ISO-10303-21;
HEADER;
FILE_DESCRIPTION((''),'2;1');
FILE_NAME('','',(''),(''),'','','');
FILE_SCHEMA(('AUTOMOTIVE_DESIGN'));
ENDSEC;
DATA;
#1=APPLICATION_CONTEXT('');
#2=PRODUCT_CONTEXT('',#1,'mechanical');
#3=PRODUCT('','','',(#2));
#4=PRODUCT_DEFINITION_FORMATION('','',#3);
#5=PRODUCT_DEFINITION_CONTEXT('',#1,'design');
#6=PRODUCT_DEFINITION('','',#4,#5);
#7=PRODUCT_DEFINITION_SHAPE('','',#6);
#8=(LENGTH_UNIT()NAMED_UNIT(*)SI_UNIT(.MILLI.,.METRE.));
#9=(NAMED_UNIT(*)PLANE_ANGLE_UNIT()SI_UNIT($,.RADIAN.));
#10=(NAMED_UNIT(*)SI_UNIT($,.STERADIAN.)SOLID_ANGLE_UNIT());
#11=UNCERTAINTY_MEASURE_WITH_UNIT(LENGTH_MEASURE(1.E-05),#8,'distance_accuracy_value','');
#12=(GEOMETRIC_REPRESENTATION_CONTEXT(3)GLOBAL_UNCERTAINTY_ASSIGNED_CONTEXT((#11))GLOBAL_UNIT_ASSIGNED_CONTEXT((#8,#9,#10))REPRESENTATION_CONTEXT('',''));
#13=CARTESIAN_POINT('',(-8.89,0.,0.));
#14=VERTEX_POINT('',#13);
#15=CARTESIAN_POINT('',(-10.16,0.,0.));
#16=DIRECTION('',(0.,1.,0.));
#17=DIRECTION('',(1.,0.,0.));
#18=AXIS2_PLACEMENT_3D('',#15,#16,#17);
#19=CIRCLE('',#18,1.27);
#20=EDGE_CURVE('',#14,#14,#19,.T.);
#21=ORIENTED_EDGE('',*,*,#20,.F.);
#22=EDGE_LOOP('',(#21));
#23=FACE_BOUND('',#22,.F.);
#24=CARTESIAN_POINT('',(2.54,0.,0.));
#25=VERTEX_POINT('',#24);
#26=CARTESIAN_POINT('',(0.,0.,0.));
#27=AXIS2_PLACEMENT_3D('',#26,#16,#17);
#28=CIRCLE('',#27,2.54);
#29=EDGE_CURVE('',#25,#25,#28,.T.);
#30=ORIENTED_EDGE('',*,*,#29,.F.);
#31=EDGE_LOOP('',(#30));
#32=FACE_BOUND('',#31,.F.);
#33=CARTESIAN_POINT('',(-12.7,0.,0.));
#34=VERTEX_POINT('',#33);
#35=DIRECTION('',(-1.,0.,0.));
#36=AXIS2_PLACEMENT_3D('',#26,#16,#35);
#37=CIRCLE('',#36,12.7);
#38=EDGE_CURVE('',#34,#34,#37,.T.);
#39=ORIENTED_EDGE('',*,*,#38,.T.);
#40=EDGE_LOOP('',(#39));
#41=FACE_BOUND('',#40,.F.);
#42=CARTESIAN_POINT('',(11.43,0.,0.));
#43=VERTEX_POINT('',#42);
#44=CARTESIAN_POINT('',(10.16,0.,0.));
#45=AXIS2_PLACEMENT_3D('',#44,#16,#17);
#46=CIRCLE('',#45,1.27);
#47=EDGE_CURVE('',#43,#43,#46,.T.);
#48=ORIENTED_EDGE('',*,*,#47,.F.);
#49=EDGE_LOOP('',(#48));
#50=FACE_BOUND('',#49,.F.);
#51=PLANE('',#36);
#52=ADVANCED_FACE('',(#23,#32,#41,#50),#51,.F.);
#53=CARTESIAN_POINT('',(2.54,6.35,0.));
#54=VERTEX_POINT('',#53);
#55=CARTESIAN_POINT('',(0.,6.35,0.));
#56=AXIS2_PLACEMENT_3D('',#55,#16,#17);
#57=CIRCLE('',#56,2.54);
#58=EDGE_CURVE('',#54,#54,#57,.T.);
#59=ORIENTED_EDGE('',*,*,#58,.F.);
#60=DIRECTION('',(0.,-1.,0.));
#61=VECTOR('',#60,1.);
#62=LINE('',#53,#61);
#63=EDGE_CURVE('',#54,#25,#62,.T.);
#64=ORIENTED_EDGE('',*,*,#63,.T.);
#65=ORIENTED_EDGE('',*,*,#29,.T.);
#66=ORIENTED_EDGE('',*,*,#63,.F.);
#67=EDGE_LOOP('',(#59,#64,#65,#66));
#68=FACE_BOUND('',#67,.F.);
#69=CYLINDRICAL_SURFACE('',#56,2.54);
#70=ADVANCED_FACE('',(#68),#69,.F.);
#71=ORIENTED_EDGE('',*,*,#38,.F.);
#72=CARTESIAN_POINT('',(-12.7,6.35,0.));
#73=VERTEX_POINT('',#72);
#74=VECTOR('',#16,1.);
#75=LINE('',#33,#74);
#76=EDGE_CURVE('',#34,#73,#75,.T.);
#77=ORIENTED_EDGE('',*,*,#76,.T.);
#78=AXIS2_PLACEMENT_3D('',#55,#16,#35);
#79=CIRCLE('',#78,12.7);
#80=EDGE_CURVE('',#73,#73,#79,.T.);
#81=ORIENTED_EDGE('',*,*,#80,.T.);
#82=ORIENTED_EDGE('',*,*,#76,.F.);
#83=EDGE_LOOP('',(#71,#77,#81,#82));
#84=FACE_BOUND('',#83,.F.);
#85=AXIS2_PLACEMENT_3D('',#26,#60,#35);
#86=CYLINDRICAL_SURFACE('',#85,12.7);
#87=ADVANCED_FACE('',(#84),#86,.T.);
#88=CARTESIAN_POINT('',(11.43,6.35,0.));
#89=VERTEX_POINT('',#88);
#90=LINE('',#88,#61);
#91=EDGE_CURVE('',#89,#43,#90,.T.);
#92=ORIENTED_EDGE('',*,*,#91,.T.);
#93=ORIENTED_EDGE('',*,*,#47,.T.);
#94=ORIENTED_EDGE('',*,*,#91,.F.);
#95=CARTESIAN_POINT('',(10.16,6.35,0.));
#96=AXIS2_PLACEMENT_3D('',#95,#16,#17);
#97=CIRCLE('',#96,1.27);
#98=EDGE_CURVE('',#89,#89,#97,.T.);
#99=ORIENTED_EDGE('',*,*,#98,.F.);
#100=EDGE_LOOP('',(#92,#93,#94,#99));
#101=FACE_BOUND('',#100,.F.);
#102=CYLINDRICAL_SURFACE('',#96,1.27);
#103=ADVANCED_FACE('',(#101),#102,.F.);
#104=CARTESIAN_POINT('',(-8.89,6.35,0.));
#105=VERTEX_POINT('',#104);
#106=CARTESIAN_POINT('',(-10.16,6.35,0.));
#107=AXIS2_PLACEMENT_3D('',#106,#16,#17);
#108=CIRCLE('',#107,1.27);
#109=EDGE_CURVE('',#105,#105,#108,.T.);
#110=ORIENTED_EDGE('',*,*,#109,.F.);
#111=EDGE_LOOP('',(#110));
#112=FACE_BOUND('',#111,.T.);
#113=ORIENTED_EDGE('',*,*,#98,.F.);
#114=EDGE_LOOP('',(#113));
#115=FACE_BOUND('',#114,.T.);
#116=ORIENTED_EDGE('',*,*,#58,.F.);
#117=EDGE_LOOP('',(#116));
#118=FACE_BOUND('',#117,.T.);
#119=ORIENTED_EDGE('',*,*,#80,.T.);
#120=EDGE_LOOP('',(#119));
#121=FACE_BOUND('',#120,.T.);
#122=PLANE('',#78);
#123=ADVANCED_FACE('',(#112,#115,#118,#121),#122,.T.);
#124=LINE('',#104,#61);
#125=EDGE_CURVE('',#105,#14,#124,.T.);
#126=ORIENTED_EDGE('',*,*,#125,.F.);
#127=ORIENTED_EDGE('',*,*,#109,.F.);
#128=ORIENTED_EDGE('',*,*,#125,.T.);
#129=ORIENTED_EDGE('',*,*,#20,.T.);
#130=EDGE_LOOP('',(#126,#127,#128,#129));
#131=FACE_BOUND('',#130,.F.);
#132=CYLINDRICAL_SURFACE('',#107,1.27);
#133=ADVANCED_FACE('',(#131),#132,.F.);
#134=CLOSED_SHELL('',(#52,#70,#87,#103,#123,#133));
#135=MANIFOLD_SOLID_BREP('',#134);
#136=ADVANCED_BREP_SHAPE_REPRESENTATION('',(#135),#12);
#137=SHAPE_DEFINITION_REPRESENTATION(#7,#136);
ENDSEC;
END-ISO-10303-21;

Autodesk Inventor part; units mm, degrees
ref_plane "YZ Plane" through (0, 0, 0) normal (1, 0, 0) x (0, 1, 0)
ref_plane "XZ Plane" through (0, 0, 0) normal (0, 1, 0) x (-1, 0, 0)
ref_plane "XY Plane" through (0, 0, 0) normal (0, 0, 1) x (1, 0, 0)
sketch "Sketch1" plane through (0, 0, 0) normal (0, 1, 0) x (-1, 0, 0)
  circle A0 centre (0, 0) radius 12.7
  dimension "d0" = 25.4
extrude "Extrusion1" add sketch "Sketch1" along normal blind 6.35
sketch "Sketch2" plane through (0, 6.35, 0) normal (0, 1, 0) x (1, 0, 0)
  circle A0 centre (0, 0) radius 2.54
  circle A1 centre (-10.16, 0) radius 1.27
  circle A2 centre (10.16, 0) radius 1.27
  dimension "d3" = 5.08
  dimension "d4" = 2.54
  dimension "d5" = 2.54
  dimension "d6" = 10.16
  dimension "d7" = 10.16
extrude "Extrusion2" cut sketch "Sketch2" against normal blind 6.35
properties part number "ServoDisk"
